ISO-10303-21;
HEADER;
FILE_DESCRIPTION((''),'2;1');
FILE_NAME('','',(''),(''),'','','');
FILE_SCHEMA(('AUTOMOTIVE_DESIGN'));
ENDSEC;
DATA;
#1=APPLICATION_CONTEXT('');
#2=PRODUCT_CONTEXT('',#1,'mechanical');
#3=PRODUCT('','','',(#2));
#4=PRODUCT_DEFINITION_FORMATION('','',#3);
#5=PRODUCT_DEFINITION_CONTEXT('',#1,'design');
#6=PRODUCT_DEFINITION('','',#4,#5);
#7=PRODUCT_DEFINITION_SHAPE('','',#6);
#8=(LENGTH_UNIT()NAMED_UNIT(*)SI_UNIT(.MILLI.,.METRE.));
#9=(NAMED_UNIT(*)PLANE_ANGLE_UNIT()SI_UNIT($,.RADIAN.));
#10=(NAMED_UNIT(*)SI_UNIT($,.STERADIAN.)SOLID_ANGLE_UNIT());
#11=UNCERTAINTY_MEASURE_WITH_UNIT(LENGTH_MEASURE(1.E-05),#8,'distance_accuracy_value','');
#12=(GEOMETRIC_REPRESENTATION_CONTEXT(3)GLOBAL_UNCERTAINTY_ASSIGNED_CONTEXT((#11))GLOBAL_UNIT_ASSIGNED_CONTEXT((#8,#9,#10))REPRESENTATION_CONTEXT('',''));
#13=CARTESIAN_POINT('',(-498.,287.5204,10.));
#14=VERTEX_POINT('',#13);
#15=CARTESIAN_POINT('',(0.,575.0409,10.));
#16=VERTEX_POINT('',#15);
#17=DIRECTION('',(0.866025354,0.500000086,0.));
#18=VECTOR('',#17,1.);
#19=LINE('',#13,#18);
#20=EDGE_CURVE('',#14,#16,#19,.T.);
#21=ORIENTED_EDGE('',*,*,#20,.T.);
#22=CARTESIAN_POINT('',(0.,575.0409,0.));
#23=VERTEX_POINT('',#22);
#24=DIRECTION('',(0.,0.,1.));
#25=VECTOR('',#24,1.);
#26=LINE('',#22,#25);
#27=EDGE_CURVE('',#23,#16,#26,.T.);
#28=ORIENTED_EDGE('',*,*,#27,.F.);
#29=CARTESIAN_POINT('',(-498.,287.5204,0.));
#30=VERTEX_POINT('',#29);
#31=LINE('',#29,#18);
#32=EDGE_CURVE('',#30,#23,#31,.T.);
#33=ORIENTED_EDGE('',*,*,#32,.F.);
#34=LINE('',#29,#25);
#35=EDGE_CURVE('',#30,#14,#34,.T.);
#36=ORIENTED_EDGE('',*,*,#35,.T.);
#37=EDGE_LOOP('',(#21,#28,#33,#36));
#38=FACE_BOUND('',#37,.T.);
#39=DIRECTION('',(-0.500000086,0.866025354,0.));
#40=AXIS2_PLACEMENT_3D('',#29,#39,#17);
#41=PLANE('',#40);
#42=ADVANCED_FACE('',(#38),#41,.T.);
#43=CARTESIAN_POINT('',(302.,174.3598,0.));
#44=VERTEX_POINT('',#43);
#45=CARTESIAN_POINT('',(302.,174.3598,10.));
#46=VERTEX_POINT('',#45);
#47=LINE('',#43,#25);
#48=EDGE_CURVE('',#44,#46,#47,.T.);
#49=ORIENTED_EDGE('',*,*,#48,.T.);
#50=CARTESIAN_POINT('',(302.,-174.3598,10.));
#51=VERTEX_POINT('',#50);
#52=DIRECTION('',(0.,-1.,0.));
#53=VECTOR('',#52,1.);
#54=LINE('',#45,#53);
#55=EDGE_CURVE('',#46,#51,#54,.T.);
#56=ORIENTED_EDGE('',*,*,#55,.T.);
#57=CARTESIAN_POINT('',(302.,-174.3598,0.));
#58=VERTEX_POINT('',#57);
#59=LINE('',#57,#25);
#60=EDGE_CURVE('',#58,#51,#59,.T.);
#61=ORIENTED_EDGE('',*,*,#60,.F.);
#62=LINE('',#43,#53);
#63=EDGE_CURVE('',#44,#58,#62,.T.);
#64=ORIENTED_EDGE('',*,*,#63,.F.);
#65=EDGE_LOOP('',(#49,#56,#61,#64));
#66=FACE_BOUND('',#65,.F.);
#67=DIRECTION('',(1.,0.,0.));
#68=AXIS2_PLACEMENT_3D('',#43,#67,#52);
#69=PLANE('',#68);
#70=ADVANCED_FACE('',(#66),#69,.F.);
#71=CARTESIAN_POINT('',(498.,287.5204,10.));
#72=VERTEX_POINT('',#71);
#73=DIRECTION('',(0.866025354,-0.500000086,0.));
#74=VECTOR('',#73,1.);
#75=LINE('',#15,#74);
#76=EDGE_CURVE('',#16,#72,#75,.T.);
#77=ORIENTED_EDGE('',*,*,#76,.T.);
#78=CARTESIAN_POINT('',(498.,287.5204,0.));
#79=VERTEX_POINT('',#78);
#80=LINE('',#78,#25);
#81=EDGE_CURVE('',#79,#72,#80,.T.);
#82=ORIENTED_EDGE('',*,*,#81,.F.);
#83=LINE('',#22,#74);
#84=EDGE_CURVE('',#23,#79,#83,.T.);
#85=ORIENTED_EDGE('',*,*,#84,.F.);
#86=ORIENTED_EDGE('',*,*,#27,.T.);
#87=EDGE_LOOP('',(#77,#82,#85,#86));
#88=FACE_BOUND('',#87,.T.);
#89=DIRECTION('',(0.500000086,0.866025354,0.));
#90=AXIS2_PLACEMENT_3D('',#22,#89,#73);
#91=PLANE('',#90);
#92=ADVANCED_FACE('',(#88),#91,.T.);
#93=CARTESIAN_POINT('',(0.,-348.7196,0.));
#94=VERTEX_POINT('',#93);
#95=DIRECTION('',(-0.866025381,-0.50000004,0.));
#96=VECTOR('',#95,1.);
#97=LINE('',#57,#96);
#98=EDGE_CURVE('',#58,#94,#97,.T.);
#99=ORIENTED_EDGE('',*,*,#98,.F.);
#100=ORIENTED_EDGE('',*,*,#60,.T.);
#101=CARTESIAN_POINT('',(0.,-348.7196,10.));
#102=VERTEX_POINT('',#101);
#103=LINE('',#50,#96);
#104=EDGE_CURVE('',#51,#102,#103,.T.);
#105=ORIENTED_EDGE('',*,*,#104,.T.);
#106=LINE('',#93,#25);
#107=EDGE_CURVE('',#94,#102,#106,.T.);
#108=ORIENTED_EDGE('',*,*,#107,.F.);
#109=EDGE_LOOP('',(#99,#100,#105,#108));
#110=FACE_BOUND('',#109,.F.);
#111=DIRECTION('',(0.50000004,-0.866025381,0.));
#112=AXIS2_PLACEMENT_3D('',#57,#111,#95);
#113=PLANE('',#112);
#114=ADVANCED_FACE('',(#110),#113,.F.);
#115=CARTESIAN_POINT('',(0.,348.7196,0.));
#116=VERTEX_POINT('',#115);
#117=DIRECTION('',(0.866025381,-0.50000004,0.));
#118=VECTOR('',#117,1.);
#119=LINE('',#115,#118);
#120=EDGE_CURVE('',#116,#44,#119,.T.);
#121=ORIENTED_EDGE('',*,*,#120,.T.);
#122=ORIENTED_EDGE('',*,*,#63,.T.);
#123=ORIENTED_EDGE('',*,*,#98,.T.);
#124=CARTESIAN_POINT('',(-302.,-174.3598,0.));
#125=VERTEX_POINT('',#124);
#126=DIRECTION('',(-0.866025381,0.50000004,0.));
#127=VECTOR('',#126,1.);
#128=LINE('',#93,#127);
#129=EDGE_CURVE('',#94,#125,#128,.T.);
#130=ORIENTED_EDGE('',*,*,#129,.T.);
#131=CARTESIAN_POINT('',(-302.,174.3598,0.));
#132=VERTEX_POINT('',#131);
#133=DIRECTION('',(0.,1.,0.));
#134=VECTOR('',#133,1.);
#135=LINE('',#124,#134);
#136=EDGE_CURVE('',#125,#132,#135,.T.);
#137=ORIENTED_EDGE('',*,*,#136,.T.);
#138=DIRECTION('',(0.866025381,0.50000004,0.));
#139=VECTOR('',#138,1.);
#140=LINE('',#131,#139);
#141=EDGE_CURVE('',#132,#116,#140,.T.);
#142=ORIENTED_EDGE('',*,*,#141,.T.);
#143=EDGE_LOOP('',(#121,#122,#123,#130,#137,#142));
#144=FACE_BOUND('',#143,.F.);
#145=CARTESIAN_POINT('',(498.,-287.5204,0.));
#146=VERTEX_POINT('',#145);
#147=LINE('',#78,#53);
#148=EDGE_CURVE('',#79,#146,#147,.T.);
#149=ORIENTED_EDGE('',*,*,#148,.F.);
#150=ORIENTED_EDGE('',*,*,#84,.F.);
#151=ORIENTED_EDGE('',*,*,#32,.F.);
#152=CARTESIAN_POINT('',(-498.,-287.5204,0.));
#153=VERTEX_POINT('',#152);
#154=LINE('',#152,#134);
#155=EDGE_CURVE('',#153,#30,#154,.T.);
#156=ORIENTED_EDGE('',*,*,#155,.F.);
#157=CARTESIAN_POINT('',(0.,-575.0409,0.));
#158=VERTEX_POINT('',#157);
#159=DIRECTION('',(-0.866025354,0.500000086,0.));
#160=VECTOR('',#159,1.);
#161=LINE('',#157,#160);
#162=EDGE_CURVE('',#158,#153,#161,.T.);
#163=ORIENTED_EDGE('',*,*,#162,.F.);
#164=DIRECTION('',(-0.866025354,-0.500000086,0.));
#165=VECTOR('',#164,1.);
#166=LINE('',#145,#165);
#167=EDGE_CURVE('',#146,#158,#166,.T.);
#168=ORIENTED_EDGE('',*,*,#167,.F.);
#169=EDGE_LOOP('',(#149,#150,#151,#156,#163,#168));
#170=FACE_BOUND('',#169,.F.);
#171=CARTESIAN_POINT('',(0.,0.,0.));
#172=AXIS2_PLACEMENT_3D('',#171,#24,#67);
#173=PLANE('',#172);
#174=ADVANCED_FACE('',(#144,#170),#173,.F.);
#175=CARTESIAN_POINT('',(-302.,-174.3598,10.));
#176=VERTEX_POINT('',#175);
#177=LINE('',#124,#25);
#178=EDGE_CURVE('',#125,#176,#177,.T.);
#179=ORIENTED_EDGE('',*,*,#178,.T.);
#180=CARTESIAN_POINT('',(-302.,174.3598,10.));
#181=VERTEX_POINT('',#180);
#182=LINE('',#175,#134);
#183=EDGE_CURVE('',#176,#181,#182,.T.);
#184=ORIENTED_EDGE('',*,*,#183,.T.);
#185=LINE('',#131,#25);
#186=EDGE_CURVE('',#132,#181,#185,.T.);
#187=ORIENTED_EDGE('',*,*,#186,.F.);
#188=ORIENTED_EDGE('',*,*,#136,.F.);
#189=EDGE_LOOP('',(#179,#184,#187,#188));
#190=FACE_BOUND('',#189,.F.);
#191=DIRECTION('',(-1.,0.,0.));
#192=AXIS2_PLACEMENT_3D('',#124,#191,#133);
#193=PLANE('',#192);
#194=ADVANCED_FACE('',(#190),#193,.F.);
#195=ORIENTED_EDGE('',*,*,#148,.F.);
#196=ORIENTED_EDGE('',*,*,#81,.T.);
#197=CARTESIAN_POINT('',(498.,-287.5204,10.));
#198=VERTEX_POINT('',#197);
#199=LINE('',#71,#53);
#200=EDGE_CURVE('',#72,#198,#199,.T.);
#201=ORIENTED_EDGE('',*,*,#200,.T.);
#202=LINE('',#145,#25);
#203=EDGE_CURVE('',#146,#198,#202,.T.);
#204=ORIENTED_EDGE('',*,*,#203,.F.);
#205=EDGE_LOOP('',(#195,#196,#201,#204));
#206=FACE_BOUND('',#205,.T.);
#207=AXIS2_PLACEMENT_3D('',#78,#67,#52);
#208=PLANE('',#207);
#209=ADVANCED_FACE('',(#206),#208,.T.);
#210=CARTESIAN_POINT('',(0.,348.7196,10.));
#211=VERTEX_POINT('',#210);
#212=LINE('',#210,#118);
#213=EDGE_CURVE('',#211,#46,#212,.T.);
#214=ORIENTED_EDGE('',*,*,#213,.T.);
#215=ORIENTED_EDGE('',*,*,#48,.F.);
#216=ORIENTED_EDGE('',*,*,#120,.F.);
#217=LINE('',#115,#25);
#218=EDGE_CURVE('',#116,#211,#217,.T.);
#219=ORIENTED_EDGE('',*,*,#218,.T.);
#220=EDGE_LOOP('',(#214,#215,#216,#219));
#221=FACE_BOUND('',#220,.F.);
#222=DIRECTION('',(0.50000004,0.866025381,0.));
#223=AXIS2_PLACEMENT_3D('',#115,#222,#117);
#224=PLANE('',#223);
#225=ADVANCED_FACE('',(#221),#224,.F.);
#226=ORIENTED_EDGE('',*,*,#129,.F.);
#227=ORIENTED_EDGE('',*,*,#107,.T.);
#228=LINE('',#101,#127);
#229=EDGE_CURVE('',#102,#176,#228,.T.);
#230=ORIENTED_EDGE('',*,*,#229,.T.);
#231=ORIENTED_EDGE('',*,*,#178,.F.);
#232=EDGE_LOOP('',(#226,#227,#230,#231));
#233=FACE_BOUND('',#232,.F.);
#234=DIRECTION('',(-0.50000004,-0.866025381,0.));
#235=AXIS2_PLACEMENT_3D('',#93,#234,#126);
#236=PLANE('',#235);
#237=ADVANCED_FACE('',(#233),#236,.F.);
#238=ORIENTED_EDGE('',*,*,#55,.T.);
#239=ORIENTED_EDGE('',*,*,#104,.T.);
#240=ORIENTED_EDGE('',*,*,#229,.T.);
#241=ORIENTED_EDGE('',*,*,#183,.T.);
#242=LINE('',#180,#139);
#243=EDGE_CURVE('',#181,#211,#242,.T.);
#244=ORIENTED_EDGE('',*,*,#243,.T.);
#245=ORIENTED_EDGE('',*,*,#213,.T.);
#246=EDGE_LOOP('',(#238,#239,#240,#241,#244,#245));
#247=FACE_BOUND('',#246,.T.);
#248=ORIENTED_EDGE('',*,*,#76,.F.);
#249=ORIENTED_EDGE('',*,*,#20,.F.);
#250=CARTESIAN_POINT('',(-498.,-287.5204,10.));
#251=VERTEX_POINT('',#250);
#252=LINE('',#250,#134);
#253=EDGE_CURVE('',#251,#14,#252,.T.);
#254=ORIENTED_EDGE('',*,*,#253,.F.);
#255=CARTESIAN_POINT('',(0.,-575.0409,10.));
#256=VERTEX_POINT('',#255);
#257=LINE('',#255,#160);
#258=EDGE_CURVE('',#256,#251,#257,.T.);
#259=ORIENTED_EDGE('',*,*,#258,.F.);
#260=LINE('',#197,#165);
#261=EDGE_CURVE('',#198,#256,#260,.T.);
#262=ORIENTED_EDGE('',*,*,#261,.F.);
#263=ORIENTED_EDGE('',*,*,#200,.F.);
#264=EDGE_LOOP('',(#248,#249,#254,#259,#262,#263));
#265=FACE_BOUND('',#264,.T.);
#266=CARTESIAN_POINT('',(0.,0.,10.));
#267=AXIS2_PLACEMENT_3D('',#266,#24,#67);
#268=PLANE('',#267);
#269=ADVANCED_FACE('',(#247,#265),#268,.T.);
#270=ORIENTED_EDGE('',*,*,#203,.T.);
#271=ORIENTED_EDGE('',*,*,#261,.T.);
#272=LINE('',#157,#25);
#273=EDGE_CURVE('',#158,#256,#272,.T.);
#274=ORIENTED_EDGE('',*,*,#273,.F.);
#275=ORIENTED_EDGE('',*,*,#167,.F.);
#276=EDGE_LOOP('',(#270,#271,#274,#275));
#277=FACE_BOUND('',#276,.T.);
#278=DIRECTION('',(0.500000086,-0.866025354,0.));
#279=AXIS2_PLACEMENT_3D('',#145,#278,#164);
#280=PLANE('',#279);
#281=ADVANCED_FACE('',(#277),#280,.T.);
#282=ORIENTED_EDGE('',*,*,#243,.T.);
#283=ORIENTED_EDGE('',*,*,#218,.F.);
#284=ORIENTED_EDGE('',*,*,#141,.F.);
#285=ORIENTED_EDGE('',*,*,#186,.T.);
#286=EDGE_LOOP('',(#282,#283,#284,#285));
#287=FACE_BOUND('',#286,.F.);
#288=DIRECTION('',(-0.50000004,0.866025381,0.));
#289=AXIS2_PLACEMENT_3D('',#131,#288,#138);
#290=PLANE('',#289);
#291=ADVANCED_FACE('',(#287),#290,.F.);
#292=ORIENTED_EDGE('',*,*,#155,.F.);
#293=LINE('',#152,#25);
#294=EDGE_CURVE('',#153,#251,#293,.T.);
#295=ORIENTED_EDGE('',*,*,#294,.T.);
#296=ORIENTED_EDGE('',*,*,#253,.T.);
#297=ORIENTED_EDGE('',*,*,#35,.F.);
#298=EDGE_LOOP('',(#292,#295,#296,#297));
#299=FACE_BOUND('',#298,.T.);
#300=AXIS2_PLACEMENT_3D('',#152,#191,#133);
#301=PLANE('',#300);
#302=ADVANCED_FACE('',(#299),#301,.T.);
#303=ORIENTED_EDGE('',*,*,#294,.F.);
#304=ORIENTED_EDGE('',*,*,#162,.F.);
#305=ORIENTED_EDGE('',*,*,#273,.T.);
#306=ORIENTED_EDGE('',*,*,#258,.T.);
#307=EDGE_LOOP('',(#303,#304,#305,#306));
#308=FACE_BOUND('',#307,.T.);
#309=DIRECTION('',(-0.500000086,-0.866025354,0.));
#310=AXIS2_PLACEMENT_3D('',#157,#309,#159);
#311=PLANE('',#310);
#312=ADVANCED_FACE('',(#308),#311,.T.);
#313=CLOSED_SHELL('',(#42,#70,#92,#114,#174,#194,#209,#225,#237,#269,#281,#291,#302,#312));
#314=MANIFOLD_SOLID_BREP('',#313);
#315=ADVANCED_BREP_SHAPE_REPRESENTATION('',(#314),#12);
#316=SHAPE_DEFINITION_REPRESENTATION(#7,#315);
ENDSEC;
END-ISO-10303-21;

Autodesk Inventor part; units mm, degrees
ref_plane "YZ Plane" through (0, 0, 0) normal (1, 0, 0) x (0, 1, 0)
ref_plane "XZ Plane" through (0, 0, 0) normal (0, 1, 0) x (-1, 0, 0)
ref_plane "Work Plane1" through (0, 0, 0) normal (0, 0, 1) x (1, 0, 0)
sketch "Sketch1" plane through (0, 0, 0) normal (0, 0, 1) x (1, 0, 0)
  line L0 (302, -174.3598) -> (0, -348.7196)
  line L1 (0, -348.7196) -> (-302, -174.3598)
  line L2 (-302, -174.3598) -> (-302, 174.3598)
  line L3 (-302, 174.3598) -> (0, 348.7196)
  line L4 (0, 348.7196) -> (302, 174.3598)
  line L5 (302, 174.3598) -> (302, -174.3598)
  line L6 (498, -287.5204) -> (0, -575.0409)
  line L7 (0, -575.0409) -> (-498, -287.5204)
  line L8 (-498, -287.5204) -> (-498, 287.5204)
  line L9 (-498, 287.5204) -> (0, 575.0409)
  line L10 (0, 575.0409) -> (498, 287.5204)
  line L11 (498, 287.5204) -> (498, -287.5204)
  point P0 (0, 0)
  point P1 (0, 0)
  point P2 (0, 0)
  dimension "d0" = 302
  dimension "d1" = 498
extrude "Extrusion1" add sketch "Sketch1" along normal blind 10
properties part number "Membrane" material "Nylon 6/6"
